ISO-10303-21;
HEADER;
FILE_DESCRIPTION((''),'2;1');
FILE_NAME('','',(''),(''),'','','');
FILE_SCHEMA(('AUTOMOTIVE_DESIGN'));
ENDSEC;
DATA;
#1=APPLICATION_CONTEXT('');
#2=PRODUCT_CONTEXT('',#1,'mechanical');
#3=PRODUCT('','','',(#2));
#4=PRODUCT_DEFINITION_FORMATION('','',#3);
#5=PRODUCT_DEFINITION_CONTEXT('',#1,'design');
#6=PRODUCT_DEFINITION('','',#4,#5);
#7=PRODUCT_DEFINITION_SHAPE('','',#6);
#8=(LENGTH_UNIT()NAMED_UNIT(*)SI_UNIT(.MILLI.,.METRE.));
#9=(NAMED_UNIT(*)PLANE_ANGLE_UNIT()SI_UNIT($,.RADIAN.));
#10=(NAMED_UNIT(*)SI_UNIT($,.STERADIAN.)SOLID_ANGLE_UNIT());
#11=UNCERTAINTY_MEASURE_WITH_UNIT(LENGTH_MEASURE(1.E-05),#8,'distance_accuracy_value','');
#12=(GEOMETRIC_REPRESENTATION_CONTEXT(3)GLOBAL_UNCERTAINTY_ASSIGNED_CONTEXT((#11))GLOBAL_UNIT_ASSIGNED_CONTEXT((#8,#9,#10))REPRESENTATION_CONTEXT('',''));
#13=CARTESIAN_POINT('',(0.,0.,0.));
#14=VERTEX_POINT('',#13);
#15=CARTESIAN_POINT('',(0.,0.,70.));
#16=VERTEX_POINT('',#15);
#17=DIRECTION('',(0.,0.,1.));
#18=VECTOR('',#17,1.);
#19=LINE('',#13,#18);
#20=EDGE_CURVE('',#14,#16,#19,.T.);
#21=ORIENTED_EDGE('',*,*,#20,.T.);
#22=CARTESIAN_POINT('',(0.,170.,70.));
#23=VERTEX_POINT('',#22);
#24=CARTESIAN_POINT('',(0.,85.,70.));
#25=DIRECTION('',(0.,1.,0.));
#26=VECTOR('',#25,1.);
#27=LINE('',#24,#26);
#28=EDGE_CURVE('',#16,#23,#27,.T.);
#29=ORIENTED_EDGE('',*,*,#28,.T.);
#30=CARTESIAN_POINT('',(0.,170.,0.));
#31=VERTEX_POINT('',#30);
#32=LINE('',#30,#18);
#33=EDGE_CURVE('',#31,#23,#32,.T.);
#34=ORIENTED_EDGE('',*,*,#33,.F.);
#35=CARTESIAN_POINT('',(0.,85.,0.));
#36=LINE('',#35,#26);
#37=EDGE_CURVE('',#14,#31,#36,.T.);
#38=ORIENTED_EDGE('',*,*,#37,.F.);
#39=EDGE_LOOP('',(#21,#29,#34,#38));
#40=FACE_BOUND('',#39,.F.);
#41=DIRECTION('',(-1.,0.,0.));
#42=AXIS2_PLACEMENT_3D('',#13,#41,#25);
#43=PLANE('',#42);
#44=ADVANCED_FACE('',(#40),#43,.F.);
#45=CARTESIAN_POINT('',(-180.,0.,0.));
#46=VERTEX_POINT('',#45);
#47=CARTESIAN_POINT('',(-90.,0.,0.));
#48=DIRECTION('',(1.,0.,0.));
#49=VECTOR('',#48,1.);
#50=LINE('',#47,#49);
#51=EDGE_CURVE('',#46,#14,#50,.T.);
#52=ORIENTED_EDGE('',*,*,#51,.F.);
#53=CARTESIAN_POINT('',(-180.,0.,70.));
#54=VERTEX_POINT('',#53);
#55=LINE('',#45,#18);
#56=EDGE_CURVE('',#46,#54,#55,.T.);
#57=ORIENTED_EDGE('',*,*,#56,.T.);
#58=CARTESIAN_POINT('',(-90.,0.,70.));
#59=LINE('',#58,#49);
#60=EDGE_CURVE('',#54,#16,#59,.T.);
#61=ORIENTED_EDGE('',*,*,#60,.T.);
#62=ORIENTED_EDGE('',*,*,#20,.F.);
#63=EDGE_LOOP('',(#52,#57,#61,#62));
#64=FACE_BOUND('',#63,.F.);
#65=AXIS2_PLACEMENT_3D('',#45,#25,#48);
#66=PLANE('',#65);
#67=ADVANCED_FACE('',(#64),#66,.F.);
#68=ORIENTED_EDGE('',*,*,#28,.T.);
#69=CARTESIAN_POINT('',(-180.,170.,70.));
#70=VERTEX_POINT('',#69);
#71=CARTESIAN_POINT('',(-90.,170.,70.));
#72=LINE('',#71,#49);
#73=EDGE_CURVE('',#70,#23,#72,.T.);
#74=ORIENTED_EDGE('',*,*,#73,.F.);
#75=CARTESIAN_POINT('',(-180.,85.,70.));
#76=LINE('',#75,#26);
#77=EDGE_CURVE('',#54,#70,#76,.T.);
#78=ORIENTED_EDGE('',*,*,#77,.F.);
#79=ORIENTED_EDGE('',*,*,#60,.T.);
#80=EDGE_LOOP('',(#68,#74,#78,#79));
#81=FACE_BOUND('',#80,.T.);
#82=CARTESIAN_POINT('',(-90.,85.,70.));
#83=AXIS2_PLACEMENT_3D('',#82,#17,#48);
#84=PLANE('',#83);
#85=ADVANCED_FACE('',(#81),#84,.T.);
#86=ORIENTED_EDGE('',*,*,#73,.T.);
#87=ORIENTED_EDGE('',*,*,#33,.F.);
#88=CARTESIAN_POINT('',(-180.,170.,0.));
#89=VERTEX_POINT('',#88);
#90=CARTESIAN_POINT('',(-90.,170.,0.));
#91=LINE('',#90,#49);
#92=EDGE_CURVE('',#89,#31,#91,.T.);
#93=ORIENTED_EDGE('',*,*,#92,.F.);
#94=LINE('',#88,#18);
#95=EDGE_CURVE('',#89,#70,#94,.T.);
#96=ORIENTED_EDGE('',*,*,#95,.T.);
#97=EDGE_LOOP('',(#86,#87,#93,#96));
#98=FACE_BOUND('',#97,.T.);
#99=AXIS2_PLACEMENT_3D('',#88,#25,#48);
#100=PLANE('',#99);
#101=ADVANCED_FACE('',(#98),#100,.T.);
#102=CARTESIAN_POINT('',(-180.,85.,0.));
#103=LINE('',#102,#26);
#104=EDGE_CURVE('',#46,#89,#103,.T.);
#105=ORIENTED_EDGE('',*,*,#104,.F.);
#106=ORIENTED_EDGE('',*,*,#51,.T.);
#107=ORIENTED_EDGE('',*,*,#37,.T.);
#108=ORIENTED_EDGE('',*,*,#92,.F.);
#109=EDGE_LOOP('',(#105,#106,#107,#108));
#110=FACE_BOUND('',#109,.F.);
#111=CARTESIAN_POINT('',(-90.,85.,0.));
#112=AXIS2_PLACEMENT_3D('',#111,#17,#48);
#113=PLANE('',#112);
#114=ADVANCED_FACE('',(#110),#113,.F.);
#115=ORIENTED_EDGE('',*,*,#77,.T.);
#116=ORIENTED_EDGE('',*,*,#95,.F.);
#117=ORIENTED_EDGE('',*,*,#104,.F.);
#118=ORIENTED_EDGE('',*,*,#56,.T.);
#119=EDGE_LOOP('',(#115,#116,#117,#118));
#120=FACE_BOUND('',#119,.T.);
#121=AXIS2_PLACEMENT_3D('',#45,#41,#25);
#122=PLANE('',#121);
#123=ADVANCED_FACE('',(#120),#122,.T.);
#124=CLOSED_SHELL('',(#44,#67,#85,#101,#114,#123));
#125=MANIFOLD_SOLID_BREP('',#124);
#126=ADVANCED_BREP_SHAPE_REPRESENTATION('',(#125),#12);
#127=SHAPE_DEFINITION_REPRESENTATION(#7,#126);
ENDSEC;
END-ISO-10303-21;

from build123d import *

# Parameters (mm, degrees)
SKETCH_W  = 180
SKETCH_H  = 170
PAD_DEPTH = 70


with BuildPart() as part:
    # Sketch → Pad (new body)
    with BuildSketch(Plane.XY):
        with Locations((-90, 85)):
            Rectangle(SKETCH_W, SKETCH_H)
    extrude(amount=PAD_DEPTH)


solid = part.part
